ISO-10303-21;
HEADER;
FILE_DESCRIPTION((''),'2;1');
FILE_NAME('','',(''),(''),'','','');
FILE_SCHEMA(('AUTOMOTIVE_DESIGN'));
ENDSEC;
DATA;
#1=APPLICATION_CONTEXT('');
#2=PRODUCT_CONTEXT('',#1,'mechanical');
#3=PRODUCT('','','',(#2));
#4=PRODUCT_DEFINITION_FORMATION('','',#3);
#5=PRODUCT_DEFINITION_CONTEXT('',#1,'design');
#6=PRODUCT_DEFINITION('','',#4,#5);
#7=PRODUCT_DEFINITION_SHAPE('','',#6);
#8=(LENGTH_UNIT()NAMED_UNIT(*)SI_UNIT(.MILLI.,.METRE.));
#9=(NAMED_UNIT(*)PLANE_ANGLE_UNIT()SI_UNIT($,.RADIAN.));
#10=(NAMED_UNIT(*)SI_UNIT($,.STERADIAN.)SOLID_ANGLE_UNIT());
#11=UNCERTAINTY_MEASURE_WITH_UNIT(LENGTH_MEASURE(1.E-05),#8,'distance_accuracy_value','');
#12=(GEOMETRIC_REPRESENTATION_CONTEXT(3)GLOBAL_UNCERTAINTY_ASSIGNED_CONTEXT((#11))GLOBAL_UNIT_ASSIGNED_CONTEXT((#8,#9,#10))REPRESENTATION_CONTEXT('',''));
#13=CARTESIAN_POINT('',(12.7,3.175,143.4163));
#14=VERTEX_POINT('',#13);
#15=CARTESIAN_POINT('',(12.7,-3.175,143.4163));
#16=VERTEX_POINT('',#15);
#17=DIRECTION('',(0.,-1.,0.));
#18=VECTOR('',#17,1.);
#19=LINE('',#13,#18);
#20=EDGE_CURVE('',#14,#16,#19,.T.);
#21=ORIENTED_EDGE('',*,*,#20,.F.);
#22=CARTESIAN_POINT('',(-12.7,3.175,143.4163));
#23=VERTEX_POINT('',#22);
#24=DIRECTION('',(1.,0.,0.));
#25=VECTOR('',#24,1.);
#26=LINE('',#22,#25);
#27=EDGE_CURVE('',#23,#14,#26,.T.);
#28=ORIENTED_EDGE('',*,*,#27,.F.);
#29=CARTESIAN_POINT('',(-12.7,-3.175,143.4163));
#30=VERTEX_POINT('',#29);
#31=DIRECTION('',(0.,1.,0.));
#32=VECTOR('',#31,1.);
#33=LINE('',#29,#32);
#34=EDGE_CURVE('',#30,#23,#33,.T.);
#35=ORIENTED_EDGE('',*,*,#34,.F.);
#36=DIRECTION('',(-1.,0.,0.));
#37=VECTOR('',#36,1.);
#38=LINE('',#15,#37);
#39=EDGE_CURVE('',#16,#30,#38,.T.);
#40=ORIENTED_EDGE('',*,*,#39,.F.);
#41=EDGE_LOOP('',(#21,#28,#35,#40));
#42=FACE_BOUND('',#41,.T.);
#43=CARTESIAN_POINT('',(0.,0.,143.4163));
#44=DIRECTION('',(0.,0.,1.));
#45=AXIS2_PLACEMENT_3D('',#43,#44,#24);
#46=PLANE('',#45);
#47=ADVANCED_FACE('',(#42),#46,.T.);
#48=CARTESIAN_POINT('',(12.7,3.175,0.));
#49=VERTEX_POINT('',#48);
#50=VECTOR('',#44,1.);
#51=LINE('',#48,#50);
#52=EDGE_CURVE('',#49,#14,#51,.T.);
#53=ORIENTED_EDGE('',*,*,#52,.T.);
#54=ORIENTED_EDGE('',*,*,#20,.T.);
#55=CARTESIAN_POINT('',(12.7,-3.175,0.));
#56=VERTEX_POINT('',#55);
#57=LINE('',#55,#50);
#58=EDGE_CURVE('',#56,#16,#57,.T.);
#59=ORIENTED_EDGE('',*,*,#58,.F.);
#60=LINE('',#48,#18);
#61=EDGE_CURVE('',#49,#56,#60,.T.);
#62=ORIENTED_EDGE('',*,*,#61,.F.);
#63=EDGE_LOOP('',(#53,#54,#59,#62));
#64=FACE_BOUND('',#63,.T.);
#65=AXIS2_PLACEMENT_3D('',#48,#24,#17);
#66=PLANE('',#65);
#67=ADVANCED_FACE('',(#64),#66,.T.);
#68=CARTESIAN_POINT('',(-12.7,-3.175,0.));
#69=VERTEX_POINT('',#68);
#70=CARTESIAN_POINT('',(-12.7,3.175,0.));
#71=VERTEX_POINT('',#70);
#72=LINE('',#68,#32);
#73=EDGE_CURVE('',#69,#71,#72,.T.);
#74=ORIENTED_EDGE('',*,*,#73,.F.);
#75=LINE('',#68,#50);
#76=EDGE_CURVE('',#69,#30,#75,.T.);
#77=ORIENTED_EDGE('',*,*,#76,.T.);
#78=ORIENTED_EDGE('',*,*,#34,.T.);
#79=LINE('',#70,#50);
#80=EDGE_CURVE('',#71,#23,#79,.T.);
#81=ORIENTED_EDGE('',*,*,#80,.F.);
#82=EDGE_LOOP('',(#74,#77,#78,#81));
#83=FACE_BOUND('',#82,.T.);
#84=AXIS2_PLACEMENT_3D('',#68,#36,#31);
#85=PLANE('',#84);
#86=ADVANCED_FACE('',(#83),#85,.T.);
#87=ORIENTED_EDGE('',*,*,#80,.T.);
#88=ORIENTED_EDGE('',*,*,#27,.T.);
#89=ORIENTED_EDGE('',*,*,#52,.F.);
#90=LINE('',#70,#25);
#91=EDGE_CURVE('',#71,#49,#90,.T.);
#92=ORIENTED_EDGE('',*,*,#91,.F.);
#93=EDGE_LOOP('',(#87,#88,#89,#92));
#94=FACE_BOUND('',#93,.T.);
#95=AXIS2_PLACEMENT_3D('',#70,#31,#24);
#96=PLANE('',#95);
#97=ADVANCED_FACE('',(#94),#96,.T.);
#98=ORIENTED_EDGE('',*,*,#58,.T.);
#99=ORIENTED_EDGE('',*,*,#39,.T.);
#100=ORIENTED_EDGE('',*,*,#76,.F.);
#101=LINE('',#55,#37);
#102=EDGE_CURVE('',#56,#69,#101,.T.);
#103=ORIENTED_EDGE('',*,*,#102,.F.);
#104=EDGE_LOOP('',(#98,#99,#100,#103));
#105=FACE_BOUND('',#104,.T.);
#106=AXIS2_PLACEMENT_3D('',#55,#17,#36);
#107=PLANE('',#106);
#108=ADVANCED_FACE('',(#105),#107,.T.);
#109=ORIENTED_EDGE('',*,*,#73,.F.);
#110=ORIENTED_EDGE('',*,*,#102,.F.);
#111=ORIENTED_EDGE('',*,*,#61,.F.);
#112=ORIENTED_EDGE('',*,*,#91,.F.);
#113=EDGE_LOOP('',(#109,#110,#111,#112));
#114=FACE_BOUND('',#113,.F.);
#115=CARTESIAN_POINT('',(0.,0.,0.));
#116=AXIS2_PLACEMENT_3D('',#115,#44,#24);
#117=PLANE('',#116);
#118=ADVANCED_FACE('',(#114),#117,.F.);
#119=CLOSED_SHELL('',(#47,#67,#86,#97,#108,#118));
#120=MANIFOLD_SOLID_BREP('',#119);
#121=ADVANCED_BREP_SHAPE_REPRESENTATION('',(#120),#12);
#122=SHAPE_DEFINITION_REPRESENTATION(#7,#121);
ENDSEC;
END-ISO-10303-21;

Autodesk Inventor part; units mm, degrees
ref_plane "Start plane" through (0, 0, 0) normal (0, 0, 1) x (1, 0, 0)
ref_plane "End plane" through (0, 0, 143.4163) normal (0, 0, 1) x (1, 0, 0)
sketch "Sketch" plane through (0, 0, 0) normal (0, 0, 1) x (1, 0, 0)
  line L0 (12.7, -3.175) -> (-12.7, -3.175)
  line L1 (-12.7, -3.175) -> (-12.7, 3.175)
  line L2 (-12.7, 3.175) -> (12.7, 3.175)
  line L3 (12.7, 3.175) -> (12.7, -3.175)
  line L4 (-6, 0) -> (8, 0) construction
  line L5 (0, -30) -> (0, 40) construction
  line L6 (0, 54) -> (0, -44) construction
  line L7 (-17.78, 0) -> (17.78, 0) construction
  dimension "d0" = 6.35
  dimension "d1" = 25.4
  dimension "d4" = 12.7
  dimension "d5" = 3.175
extrude "Body" add sketch "Sketch" along normal up to surface (143.4163 mm away) from surface at 0
sketch "Sketch3" plane through (0, 0, 0) normal (0, 0, 1) x (1, 0, 0)
  line L0 (0, 0) -> (10, 0)
ref_plane "Work Plane3" through (0, 0, 0) normal (0, -1, 0) x (1, 0, 0)
sketch "Sketch4" plane through (0, 0, 0) normal (0, -1, 0) x (1, 0, 0)
  line L0 (-2, 0) -> (12, 0)
  line L1 (-2, 143.4163) -> (12, 143.4163)
  dimension "d9" = 143.4163
ref_plane "Work Plane4" through (0, -17.145, 143.4163) normal (0, 0, 1) x (1, 0, 0)
split "Split1" plane through (0, -17.145, 143.4163) removes the side toward (0, 0, 1)
equation "\"d0\" = G_W"
equation "\"d1\" = G_H"
equation "\"d4\" = 0.5 * d1"
equation "\"d5\" = 0.5 * d0"
equation "\"d2\" = G_L"
equation "\"G_W\" = 6.35"
equation "\"G_H\" = 25.4"
equation "\"G_L\" = d9"
equation "\"G_OFFSET_START\" = 0"
equation "\"G_OFFSET_END\" = 13.97"
equation "\"d7\" = G_OFFSET_END + B_L"
equation "\"B_L\" = 129.44633"
properties part number "AISC - 1/4x1 - 5.646" material "Steel, Mild"
